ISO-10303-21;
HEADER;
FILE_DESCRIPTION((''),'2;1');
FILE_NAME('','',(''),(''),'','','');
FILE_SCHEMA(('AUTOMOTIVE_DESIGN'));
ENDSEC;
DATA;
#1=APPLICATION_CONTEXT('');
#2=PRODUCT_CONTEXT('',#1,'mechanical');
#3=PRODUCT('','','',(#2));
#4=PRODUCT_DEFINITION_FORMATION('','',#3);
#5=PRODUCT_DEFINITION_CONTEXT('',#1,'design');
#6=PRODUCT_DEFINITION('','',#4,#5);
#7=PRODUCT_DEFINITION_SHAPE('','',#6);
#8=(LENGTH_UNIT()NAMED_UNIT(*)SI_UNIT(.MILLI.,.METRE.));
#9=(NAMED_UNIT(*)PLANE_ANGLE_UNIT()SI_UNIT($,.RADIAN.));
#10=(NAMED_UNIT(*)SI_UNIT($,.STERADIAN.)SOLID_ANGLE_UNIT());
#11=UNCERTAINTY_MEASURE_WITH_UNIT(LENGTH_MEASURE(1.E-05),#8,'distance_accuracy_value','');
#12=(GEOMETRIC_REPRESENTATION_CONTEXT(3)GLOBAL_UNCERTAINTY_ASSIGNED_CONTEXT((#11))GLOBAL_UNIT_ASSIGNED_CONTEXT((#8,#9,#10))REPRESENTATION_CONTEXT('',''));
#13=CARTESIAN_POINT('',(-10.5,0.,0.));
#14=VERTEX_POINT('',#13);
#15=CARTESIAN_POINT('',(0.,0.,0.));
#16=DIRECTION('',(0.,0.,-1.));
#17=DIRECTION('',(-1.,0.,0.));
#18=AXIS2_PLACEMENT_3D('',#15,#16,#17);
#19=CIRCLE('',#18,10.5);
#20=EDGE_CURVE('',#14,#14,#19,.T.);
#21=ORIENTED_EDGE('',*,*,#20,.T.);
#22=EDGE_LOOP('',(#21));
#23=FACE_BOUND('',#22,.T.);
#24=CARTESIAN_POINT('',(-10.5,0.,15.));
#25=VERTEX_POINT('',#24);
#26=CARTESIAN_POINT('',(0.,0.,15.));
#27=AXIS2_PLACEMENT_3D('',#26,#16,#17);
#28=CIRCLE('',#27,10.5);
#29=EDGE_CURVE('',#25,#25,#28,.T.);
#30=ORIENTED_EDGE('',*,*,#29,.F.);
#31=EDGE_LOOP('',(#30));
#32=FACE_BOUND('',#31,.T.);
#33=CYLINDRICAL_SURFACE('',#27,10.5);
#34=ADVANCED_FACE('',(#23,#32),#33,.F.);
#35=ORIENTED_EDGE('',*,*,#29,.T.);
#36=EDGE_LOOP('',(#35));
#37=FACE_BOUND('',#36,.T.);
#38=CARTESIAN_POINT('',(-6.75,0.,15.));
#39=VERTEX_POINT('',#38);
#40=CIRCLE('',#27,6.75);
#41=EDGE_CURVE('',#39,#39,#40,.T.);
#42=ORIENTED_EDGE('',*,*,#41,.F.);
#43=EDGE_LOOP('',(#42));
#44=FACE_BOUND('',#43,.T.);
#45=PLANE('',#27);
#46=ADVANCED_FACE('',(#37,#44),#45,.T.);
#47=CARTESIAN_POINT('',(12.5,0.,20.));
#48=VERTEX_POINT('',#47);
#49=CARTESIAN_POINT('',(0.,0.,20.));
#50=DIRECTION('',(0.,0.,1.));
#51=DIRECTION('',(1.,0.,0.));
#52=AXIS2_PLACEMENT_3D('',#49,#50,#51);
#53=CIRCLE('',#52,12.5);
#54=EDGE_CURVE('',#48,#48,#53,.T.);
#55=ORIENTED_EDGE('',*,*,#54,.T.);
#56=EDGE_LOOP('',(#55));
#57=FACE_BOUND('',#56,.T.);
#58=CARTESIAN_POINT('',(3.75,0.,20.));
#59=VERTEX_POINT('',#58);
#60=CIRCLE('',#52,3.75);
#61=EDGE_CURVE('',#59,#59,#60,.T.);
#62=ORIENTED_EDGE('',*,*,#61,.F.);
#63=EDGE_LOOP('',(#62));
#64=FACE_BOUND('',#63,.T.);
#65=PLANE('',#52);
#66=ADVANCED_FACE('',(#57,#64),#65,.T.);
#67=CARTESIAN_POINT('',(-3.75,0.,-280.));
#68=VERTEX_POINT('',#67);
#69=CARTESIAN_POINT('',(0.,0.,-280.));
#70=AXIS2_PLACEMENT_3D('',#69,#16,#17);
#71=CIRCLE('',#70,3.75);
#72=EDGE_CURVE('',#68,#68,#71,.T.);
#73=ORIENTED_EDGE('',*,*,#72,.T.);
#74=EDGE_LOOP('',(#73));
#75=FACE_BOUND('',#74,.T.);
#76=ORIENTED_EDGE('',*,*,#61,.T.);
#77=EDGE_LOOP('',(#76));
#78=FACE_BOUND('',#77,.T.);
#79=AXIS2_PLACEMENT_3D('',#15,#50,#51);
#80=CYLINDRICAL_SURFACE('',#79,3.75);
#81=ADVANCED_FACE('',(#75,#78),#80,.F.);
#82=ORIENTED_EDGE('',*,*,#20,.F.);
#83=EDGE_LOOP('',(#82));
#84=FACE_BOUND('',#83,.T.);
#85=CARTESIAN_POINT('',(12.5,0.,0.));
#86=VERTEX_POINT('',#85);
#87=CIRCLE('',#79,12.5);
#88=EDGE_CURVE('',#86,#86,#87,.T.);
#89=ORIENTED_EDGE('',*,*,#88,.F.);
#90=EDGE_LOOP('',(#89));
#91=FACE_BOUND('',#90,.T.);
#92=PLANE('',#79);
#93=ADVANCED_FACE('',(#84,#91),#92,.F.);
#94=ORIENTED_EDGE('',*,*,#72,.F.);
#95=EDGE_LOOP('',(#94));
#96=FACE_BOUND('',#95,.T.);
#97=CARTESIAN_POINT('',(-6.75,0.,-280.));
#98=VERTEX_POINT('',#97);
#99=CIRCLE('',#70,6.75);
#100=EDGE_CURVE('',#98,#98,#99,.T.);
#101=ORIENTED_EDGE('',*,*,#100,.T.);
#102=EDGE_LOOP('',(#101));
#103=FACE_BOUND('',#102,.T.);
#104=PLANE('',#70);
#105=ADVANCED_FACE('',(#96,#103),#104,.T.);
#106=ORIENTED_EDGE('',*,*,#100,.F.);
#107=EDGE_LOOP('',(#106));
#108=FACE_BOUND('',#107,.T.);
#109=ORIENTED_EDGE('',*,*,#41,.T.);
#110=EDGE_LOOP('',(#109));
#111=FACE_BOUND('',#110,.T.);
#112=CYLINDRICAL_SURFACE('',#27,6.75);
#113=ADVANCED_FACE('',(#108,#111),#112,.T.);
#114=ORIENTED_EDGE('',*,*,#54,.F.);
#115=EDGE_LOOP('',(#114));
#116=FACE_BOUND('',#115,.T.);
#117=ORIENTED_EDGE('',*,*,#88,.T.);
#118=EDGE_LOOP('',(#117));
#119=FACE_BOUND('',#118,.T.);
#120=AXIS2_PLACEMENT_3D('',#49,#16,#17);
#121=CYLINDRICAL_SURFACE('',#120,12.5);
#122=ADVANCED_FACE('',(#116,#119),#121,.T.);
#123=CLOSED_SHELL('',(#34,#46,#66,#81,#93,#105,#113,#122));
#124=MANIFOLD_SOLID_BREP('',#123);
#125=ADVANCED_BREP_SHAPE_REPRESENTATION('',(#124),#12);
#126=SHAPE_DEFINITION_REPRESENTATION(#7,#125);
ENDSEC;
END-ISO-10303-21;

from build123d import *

# Parameters (mm, degrees)
SKETCH1_R           = 12.5
BOSS_EXTRUDE1_DEPTH = 20
SKETCH2_R           = 10.5
SKETCH2_R_2         = 6.75
CUT_EXTRUDE1_DEPTH  = 15
SKETCH3_R           = 3.75
CUT_EXTRUDE2_DEPTH  = 27.69269563
SKETCH4_R           = 6.75
SKETCH4_R_2         = 3.75
BOSS_EXTRUDE2_DEPTH = 280


with BuildPart() as part:
    # Sketch1 → Boss-Extrude1 (new body)
    with BuildSketch(Plane.XY):
        Circle(SKETCH1_R)
    extrude(amount=BOSS_EXTRUDE1_DEPTH)

    # Sketch2 → Cut-Extrude1 (cut)
    with BuildSketch(Plane(origin=(0, 0, 0), x_dir=(-1, 0, 0), z_dir=(0, 0, -1))):
        Circle(SKETCH2_R)
        Circle(SKETCH2_R_2, mode=Mode.SUBTRACT)
    extrude(amount=-CUT_EXTRUDE1_DEPTH, mode=Mode.SUBTRACT)

    # Sketch3 → Cut-Extrude2 (cut, through all)
    with BuildSketch(Plane.XY.offset(20)):
        Circle(SKETCH3_R)
    extrude(amount=-CUT_EXTRUDE2_DEPTH, mode=Mode.SUBTRACT)

    # Sketch4 → Boss-Extrude2 (add)
    with BuildSketch(Plane(origin=(0, 0, 0), x_dir=(-1, 0, 0), z_dir=(0, 0, -1))):
        Circle(SKETCH4_R)
        with Locations(Location((0, 0, 0), (0, 0, 180))):
            Circle(SKETCH4_R_2, mode=Mode.SUBTRACT)
    extrude(amount=BOSS_EXTRUDE2_DEPTH)


solid = part.part
